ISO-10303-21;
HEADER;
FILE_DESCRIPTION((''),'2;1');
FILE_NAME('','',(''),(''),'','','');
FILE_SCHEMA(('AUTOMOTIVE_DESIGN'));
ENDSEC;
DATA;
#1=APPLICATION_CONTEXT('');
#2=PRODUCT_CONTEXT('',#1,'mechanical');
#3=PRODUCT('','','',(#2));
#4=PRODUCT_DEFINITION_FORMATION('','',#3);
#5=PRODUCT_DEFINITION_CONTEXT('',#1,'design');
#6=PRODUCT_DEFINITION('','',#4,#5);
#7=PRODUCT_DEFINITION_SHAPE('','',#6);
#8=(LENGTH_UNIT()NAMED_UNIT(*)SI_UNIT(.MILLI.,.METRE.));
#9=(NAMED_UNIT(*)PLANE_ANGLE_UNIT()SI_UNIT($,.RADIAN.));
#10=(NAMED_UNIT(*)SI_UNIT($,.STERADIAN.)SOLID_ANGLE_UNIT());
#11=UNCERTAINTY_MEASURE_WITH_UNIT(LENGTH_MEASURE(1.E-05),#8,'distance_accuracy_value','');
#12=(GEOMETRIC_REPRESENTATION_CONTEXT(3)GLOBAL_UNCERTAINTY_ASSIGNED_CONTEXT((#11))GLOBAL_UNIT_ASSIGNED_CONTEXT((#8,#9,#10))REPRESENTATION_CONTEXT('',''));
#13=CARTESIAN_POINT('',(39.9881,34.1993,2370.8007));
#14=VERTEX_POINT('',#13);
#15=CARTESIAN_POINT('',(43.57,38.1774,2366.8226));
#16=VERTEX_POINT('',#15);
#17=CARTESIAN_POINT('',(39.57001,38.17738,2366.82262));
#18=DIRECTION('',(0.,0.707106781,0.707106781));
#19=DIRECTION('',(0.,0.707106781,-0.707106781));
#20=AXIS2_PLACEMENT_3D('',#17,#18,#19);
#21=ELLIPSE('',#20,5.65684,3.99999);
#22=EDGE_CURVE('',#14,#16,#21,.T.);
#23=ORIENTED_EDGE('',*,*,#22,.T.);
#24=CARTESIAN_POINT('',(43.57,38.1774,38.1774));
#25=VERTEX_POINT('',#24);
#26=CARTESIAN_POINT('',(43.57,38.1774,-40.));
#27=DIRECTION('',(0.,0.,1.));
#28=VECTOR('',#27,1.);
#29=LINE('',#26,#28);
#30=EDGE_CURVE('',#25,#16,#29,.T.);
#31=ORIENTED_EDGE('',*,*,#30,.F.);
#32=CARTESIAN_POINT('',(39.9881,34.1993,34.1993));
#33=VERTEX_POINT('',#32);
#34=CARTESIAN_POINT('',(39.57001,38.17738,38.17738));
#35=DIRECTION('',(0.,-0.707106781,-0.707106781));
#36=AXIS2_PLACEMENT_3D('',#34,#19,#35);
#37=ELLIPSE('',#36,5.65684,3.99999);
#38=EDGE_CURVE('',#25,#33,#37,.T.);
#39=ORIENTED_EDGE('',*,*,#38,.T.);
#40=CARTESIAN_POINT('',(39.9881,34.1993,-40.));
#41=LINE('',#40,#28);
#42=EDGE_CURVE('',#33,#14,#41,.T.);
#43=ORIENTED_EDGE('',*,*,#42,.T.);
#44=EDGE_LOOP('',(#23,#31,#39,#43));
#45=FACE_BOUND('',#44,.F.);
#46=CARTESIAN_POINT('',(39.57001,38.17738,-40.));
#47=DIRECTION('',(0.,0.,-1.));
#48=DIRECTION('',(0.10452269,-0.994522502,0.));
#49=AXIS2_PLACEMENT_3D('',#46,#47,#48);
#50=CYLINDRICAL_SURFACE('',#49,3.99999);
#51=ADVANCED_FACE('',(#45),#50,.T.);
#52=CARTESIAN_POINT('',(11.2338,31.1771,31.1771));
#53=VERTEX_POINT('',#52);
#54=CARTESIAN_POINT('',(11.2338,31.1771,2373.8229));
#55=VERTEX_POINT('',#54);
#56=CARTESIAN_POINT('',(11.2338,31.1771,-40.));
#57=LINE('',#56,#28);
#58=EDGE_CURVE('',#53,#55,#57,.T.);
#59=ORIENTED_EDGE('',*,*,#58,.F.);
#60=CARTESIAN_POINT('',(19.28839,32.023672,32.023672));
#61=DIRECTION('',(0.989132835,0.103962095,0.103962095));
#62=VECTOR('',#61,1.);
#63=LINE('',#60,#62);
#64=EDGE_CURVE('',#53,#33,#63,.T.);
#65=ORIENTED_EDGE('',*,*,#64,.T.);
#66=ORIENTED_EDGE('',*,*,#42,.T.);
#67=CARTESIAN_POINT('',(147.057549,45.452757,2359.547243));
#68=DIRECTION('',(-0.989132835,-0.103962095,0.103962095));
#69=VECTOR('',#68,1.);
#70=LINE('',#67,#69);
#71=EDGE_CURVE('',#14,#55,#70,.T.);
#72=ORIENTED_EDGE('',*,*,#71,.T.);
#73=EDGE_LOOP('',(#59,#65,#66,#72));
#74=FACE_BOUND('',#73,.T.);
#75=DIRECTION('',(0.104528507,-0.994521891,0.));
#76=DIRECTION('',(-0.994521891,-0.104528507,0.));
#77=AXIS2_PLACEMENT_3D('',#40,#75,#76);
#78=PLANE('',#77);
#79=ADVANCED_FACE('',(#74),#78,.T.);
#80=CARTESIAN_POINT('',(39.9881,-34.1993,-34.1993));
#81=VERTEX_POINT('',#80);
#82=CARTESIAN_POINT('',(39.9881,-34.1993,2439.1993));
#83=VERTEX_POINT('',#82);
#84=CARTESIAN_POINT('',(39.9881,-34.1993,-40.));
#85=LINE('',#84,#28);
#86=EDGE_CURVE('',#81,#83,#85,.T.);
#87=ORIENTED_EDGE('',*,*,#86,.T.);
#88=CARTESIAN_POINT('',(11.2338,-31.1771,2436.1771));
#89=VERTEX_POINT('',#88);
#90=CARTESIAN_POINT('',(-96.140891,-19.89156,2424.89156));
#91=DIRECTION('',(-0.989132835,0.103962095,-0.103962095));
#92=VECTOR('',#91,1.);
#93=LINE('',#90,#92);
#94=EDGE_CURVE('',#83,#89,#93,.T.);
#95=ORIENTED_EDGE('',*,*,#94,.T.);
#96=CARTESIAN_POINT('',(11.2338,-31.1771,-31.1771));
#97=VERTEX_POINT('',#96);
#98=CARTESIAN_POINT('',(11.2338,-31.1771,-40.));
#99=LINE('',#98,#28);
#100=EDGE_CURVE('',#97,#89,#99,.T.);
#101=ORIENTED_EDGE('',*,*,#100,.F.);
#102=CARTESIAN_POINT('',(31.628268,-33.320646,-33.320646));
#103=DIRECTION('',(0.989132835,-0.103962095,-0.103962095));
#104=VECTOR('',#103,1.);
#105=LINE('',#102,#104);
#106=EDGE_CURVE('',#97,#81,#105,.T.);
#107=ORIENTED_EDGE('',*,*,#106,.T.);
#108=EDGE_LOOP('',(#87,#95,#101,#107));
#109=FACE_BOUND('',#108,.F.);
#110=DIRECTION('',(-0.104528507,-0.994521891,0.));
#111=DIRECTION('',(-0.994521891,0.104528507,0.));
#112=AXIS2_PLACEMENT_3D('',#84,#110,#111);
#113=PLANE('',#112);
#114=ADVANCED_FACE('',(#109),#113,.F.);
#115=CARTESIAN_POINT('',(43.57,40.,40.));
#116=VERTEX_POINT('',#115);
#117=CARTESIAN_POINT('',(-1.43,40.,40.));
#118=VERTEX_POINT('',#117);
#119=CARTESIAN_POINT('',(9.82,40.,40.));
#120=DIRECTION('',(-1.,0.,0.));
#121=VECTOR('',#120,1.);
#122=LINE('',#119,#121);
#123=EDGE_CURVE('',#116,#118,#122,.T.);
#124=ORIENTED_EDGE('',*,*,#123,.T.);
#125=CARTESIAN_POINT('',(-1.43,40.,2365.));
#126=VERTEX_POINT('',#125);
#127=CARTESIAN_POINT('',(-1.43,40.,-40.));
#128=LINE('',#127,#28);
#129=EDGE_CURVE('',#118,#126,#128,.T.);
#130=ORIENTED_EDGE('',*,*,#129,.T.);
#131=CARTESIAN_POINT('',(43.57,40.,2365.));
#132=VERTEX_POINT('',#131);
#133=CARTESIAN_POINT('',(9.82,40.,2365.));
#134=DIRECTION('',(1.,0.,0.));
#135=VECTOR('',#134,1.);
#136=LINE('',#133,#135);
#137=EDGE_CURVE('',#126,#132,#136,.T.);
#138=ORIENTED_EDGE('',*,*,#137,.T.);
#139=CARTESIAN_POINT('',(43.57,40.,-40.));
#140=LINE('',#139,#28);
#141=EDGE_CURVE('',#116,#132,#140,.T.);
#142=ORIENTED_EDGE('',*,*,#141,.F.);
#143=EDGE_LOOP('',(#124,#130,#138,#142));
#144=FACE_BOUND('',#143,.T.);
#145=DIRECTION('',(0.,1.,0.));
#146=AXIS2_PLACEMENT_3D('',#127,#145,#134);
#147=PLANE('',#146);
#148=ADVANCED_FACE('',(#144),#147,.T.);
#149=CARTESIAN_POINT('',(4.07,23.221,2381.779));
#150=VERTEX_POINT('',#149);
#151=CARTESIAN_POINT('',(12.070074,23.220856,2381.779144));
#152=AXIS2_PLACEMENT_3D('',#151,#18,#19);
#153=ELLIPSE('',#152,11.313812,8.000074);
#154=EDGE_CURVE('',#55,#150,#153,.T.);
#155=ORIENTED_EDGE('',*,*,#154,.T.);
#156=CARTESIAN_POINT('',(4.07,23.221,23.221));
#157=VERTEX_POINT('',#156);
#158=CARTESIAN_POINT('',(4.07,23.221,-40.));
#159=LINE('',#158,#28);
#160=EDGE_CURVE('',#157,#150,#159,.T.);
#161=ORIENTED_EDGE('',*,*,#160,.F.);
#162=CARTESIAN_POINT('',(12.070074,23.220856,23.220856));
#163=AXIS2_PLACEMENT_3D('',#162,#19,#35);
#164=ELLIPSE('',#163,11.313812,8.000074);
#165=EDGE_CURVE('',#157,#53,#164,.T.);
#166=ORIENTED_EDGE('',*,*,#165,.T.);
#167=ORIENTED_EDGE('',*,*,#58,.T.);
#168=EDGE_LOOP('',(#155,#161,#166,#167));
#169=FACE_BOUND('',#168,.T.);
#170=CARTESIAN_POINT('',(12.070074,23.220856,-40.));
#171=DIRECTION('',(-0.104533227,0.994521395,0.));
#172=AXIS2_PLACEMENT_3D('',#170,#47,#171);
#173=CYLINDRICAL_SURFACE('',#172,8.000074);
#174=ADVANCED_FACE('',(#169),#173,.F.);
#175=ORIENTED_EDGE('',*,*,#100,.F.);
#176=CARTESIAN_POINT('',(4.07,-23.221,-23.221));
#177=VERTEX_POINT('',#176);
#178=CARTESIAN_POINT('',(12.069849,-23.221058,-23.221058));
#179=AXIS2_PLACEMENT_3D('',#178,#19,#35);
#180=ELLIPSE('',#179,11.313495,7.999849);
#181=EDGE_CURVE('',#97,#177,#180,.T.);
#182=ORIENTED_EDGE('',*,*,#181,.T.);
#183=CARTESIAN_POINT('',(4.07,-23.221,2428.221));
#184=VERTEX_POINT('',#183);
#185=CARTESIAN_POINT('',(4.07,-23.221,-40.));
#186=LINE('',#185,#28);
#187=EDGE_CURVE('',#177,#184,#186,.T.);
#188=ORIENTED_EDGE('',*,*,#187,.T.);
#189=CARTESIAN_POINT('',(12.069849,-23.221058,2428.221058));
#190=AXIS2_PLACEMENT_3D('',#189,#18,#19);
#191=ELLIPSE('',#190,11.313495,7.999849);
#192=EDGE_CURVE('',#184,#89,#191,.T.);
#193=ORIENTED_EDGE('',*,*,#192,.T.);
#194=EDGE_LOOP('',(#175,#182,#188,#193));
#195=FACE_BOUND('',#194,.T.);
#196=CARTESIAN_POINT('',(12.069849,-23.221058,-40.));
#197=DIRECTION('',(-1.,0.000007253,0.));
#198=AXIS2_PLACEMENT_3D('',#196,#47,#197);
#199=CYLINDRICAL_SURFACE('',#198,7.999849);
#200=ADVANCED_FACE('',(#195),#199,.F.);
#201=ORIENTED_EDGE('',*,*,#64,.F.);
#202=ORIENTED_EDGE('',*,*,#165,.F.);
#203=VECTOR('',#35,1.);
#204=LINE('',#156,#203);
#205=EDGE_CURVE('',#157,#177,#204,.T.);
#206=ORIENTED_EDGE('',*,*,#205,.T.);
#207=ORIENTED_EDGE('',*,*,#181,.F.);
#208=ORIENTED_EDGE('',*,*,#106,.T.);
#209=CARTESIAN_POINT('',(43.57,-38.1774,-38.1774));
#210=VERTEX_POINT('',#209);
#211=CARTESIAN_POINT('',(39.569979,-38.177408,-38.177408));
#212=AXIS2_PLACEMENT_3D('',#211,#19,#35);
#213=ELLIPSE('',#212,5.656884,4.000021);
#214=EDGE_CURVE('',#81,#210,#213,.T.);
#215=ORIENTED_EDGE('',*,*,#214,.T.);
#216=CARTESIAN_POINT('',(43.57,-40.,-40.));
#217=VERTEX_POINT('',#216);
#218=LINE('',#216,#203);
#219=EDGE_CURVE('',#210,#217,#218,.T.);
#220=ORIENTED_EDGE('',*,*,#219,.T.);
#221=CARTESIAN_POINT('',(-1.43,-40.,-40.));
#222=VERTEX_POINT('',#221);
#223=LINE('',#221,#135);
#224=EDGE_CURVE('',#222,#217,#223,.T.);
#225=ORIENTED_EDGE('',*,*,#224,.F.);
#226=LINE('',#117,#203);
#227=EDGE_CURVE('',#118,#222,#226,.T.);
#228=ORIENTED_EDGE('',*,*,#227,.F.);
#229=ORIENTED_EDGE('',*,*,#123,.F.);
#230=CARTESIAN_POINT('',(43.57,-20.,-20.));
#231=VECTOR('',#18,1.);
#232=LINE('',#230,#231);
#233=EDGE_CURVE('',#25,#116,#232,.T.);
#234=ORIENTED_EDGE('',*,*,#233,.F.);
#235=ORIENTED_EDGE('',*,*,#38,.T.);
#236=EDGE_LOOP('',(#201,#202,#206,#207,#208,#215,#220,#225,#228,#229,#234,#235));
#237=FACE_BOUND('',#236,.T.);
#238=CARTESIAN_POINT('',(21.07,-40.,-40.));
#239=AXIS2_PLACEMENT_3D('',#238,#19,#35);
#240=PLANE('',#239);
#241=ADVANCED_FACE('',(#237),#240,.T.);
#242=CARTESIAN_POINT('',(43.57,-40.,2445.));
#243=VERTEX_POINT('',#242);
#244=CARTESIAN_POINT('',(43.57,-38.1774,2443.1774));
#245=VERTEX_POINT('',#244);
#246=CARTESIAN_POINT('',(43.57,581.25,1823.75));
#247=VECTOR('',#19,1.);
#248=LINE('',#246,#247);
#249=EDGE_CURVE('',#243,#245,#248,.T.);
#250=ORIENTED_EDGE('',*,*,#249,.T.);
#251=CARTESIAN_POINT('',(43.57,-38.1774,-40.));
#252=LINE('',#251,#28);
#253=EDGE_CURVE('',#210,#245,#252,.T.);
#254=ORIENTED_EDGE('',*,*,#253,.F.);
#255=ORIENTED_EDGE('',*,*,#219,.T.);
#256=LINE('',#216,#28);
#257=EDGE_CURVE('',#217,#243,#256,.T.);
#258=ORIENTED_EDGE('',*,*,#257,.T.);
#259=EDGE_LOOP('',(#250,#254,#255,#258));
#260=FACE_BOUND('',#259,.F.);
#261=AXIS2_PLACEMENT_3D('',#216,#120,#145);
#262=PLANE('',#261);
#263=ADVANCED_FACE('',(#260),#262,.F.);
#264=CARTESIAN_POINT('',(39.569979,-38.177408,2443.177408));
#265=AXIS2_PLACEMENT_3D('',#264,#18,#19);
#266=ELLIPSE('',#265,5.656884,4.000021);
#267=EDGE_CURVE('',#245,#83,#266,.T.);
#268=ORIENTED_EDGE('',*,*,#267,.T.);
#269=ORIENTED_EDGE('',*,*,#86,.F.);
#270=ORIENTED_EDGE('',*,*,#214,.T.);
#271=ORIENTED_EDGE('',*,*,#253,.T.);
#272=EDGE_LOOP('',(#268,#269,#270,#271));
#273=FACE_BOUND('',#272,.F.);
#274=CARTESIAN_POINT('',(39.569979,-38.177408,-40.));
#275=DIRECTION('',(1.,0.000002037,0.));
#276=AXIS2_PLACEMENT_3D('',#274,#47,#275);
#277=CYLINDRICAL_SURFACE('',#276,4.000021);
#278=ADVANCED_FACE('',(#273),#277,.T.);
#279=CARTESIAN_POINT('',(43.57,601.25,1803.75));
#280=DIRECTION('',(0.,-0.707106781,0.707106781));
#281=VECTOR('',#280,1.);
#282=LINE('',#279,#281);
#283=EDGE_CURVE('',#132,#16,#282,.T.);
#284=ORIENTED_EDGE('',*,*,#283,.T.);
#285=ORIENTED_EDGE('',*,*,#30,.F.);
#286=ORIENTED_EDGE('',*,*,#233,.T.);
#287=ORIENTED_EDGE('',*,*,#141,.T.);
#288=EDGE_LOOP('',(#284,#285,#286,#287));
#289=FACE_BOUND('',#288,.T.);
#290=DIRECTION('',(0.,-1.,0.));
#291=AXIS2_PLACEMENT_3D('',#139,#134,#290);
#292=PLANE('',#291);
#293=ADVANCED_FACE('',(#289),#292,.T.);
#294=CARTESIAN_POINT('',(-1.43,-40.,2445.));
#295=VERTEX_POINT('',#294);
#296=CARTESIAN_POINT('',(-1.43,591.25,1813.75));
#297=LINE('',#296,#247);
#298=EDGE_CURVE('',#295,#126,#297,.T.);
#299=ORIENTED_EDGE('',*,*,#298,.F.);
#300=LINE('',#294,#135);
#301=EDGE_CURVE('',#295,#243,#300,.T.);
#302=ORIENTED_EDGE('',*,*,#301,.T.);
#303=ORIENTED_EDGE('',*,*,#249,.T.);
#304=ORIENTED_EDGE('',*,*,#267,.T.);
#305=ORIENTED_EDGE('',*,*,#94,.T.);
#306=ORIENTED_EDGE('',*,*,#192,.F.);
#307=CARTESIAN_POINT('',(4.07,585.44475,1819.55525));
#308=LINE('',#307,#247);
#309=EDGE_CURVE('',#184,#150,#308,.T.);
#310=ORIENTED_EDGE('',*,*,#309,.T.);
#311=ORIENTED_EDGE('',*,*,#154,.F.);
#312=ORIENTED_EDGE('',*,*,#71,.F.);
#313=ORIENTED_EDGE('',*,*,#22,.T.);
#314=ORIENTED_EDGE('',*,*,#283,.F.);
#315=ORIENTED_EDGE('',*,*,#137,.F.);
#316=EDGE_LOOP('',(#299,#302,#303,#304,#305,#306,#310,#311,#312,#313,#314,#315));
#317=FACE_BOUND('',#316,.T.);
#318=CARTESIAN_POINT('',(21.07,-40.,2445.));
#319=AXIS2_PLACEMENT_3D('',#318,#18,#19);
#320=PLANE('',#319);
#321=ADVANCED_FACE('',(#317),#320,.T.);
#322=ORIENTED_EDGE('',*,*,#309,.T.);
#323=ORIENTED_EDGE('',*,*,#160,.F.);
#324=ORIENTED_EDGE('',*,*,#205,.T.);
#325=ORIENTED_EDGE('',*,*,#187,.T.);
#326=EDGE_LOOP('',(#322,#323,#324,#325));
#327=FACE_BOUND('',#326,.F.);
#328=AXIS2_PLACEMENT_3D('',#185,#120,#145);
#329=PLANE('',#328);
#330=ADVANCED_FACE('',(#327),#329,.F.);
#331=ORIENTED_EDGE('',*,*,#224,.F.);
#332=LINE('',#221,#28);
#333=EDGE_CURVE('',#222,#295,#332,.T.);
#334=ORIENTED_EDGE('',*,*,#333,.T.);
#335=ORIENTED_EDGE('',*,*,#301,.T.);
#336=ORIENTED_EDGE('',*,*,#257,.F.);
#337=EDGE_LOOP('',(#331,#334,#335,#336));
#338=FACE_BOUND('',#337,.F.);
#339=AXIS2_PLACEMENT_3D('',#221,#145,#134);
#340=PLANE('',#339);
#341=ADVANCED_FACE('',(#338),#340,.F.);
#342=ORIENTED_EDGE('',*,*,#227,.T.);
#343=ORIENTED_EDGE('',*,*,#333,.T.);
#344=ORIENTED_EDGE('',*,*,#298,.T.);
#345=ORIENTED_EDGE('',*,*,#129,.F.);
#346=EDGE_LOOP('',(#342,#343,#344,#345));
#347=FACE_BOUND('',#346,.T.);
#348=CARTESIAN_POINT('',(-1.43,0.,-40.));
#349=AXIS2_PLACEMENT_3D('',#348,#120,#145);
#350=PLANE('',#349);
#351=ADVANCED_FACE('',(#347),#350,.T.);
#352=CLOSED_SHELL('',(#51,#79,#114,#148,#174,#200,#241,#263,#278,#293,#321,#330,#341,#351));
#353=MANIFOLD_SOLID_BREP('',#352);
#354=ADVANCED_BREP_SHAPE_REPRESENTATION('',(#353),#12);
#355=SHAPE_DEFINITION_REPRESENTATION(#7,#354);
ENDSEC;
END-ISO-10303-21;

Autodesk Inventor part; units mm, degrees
ref_plane "Начальная плоскость" through (0, 0, -40) normal (0, 0, 1) x (1, 0, 0)
ref_plane "Конечная плоскость" through (0, 0, 2445) normal (0, 0, 1) x (1, 0, 0)
sketch "Эскиз" plane through (0, 0, 0) normal (0, 0, 1) x (1, 0, 0)
  line L0 (-1.43, 0) -> (-1.43, 40)
  line L1 (-1.43, 40) -> (43.57, 40)
  line L2 (43.57, 40) -> (43.57, 38.1774)
  line L3 (39.9881, 34.1993) -> (11.2338, 31.1771)
  line L4 (4.07, 23.221) -> (4.07, 0)
  line L5 (4.07, 0) -> (-1.43, 0) construction
  line L6 (23.82, 40) -> (23.82, 32.5) construction
  line L7 (43.57, 34.5758) -> (43.57, 32.5) construction
  line L8 (43.57, 32.5) -> (23.82, 32.5) construction
  line L9 (0, 15) -> (0, -27) construction
  line L10 (-5.539, 0) -> (16.0067, 0) construction
  line L11 (-1.43, 0) -> (-1.43, -40)
  line L12 (-1.43, -40) -> (43.57, -40)
  line L13 (43.57, -40) -> (43.57, -38.1774)
  line L14 (39.9881, -34.1993) -> (11.2338, -31.1771)
  line L15 (4.07, -23.221) -> (4.07, 0)
  arc A0 (11.2338, 31.1771) -> (4.07, 23.221) centre (12.07, 23.221) ccw
  arc A1 (4.07, -23.221) -> (11.2338, -31.1771) centre (12.07, -23.221) ccw
  arc A2 (39.9881, 34.1993) -> (43.57, 38.1774) centre (39.57, 38.1774) ccw
  arc A3 (43.57, -38.1774) -> (39.9881, -34.1993) centre (39.57, -38.1774) ccw
  line L16 (0, 56) -> (0, -56) construction
  line L17 (-15.5135, 0) -> (54.308, 0) construction
  point P0 (4.07, 30.4242)
  point P1 (43.57, -34.5758)
  point P2 (4.07, -30.4242)
  point P3 (23.82, -40)
  point P4 (23.82, -32.5)
  dimension "d0" = 5.5
  dimension "d1" = 40
  dimension "d2" = 45
  dimension "d3" = 7.5
  dimension "d4" = 19.75
  dimension "d5" = 2.0758
  dimension "d23" = 8
  dimension "d24" = 4
  dimension "d25" = 1.43
extrude "Тело" add sketch "Эскиз" along normal up to surface (2485 mm away) from surface at -40
sketch "Sketch3" plane through (0, 0, 0) normal (0, 0, 1) x (1, 0, 0)
  line L0 (0, 0) -> (10, 0)
ref_plane "Work Plane3" through (0, 0, 0) normal (0, -1, 0) x (1, 0, 0)
sketch "Sketch4" plane through (0, 0, 0) normal (0, -1, 0) x (1, 0, 0)
  line L0 (-2, -40) -> (12, -40)
  line L1 (-2, 2445) -> (12, 2445)
  dimension "d29" = 2485
ref_plane "РабПлоскость4" through (21.07, -40, -40) normal (0, 0.7071, -0.7071) x (1, 0, 0)
split "Разделение1" plane through (21.07, -40, -40) removes the side toward (0, 0.7071, -0.7071)
ref_plane "РабПлоскость5" through (21.07, -40, 2445) normal (0, 0.7071, 0.7071) x (1, 0, 0)
split "Разделение2" plane through (21.07, -40, 2445) removes the side toward (0, 0.7071, 0.7071)
equation "\"d0\" = G_T"
equation "\"d1\" = 0.5 * G_H"
equation "\"d2\" = G_W"
equation "\"d3\" = G_T1"
equation "\"d4\" = G_C"
equation "\"d23\" = G_IR"
equation "\"d24\" = G_ER"
equation "\"d25\" = ex"
equation "\"d6\" = G_L"
equation "\"G_W\" = 45"
equation "\"G_T\" = 5.5"
equation "\"G_T1\" = 7.5"
equation "\"G_NG\" = 0.105104"
equation "\"G_ER\" = 4"
equation "\"G_IR\" = 8"
equation "\"G_C\" = 19.75"
equation "\"G_L\" = d29"
equation "\"ex\" = 1.43"
equation "\"d27\" = G_OFFSET_END + B_L"
equation "\"B_L\" = 2405"
equation "\"G_H\" = 80"
equation "\"G_OFFSET_END\" = 40"
properties part number "ISO 657/11 - CH 80 x 8 - 2485" material "Сталь, мягкая"
